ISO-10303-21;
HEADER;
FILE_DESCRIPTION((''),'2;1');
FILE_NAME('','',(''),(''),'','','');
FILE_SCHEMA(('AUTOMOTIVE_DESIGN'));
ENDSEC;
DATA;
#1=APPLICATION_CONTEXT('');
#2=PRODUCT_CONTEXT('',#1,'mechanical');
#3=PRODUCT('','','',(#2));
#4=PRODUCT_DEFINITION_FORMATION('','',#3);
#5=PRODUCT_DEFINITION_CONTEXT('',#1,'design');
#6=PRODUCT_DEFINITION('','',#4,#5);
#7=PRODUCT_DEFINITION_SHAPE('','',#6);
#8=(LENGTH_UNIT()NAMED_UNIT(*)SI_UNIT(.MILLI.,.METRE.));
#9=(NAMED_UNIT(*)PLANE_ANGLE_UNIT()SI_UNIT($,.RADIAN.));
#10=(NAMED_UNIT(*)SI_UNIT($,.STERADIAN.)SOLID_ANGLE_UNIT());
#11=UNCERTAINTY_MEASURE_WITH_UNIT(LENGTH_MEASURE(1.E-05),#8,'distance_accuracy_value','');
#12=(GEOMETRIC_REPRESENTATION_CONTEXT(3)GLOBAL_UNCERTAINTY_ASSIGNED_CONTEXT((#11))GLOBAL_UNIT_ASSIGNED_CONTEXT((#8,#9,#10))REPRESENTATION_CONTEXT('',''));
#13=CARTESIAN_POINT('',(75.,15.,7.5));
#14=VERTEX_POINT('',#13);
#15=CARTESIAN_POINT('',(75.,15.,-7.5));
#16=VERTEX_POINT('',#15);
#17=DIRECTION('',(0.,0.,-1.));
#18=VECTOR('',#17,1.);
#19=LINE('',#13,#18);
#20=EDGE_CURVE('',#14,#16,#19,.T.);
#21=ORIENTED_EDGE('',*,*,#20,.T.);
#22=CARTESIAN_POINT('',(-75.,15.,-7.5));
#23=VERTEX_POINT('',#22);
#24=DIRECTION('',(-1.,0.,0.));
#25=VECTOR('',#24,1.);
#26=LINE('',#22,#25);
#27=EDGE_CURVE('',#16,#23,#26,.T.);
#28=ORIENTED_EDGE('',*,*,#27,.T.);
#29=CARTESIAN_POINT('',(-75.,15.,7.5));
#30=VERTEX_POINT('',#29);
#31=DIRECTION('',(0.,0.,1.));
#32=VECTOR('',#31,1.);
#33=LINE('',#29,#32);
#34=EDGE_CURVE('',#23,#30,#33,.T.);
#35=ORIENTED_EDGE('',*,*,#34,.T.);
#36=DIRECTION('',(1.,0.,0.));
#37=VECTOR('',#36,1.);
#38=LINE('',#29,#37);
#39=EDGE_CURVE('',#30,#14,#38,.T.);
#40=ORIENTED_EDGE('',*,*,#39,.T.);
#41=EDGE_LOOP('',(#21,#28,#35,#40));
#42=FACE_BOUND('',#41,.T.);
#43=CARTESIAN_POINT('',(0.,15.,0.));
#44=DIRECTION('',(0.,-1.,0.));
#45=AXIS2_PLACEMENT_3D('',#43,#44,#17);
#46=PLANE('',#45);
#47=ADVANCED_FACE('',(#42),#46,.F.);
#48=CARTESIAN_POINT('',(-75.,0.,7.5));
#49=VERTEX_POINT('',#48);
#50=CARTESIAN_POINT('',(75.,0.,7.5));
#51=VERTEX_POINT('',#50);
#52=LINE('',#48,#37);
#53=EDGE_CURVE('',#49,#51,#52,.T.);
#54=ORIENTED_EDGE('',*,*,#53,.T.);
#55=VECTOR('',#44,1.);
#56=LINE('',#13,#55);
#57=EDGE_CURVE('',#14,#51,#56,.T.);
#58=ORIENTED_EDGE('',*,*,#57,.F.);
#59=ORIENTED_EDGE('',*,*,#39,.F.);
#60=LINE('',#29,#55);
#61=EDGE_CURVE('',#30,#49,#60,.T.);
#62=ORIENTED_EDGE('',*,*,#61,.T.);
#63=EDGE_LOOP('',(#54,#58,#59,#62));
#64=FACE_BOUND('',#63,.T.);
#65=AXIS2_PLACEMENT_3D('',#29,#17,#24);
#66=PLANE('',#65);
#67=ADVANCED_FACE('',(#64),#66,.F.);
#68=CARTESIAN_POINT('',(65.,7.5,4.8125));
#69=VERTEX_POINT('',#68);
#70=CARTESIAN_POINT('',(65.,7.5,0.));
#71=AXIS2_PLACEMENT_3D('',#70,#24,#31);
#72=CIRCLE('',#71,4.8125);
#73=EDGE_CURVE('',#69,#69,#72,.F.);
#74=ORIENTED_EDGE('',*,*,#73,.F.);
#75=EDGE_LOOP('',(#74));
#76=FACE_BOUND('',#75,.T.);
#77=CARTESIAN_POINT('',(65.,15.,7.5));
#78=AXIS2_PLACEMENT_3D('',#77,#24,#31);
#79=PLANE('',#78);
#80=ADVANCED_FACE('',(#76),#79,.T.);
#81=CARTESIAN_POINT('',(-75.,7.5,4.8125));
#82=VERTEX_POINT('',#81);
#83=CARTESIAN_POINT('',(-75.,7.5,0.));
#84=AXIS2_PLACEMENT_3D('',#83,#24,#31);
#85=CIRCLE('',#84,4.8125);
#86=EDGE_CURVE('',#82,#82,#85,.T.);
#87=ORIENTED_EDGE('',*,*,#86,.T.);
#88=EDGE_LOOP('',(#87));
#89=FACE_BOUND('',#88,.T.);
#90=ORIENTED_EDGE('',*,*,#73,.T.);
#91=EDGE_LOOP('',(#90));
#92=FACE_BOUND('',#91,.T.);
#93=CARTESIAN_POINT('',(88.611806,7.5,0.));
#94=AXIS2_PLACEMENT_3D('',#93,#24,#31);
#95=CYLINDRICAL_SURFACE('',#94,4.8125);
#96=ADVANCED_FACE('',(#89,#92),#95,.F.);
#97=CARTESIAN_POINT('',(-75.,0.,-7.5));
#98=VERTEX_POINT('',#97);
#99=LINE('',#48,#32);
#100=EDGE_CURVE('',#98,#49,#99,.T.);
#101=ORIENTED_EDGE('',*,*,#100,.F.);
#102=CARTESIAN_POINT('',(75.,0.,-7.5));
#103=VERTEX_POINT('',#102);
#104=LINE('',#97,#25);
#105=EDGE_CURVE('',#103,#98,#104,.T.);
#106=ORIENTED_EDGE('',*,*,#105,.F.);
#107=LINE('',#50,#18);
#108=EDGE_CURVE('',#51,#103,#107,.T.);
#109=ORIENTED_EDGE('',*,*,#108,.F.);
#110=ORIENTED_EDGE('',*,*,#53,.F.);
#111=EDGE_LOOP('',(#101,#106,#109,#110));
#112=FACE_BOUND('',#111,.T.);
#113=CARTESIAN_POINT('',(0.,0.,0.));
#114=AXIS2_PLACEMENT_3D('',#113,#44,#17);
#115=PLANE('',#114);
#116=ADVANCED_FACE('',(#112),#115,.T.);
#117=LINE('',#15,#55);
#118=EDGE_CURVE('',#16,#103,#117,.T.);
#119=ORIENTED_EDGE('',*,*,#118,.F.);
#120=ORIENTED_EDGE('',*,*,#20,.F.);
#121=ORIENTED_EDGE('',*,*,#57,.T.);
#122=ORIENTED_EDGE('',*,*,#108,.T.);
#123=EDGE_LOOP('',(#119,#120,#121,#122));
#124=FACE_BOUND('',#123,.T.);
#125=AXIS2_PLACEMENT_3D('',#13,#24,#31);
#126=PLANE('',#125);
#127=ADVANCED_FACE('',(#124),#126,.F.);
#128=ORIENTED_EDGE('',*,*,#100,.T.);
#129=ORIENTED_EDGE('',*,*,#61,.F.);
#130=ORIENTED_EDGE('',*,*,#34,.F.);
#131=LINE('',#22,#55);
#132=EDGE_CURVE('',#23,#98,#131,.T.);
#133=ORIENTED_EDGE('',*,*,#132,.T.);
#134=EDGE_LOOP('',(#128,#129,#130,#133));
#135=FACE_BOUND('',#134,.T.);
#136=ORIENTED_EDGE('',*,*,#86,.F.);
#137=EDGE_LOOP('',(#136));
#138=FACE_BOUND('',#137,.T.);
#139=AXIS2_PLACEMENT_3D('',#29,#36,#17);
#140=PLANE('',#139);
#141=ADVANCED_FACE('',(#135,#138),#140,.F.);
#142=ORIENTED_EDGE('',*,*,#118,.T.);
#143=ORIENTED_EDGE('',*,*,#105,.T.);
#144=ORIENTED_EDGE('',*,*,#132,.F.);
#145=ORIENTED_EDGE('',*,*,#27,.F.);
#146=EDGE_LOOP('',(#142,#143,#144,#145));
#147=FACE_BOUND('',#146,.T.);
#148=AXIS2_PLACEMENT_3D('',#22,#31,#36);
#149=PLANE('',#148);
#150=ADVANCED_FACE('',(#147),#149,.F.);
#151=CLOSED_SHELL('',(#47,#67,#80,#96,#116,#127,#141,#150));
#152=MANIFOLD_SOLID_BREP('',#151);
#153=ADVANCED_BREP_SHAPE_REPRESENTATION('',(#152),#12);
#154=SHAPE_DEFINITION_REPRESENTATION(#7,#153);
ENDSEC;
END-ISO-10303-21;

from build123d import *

# Parameters (mm, degrees)
SKETCH1_W           = 150
SKETCH1_H           = 15
BOSS_EXTRUDE1_DEPTH = 15
SKETCH2_R           = 4.8125
CUT_EXTRUDE1_DEPTH  = 140


with BuildPart() as part:
    # Sketch1 → Boss-Extrude1 (new body)
    with BuildSketch(Plane(origin=(0, 0, 0), x_dir=(1, 0, 0), z_dir=(0, 1, 0))):
        Rectangle(SKETCH1_W, SKETCH1_H)
    extrude(amount=BOSS_EXTRUDE1_DEPTH)

    # Sketch2 → Cut-Extrude1 (cut)
    with BuildSketch(Plane.ZY.offset(75)):
        with Locations((0, 7.5)):
            Circle(SKETCH2_R)
    extrude(amount=-CUT_EXTRUDE1_DEPTH, mode=Mode.SUBTRACT)


solid = part.part
